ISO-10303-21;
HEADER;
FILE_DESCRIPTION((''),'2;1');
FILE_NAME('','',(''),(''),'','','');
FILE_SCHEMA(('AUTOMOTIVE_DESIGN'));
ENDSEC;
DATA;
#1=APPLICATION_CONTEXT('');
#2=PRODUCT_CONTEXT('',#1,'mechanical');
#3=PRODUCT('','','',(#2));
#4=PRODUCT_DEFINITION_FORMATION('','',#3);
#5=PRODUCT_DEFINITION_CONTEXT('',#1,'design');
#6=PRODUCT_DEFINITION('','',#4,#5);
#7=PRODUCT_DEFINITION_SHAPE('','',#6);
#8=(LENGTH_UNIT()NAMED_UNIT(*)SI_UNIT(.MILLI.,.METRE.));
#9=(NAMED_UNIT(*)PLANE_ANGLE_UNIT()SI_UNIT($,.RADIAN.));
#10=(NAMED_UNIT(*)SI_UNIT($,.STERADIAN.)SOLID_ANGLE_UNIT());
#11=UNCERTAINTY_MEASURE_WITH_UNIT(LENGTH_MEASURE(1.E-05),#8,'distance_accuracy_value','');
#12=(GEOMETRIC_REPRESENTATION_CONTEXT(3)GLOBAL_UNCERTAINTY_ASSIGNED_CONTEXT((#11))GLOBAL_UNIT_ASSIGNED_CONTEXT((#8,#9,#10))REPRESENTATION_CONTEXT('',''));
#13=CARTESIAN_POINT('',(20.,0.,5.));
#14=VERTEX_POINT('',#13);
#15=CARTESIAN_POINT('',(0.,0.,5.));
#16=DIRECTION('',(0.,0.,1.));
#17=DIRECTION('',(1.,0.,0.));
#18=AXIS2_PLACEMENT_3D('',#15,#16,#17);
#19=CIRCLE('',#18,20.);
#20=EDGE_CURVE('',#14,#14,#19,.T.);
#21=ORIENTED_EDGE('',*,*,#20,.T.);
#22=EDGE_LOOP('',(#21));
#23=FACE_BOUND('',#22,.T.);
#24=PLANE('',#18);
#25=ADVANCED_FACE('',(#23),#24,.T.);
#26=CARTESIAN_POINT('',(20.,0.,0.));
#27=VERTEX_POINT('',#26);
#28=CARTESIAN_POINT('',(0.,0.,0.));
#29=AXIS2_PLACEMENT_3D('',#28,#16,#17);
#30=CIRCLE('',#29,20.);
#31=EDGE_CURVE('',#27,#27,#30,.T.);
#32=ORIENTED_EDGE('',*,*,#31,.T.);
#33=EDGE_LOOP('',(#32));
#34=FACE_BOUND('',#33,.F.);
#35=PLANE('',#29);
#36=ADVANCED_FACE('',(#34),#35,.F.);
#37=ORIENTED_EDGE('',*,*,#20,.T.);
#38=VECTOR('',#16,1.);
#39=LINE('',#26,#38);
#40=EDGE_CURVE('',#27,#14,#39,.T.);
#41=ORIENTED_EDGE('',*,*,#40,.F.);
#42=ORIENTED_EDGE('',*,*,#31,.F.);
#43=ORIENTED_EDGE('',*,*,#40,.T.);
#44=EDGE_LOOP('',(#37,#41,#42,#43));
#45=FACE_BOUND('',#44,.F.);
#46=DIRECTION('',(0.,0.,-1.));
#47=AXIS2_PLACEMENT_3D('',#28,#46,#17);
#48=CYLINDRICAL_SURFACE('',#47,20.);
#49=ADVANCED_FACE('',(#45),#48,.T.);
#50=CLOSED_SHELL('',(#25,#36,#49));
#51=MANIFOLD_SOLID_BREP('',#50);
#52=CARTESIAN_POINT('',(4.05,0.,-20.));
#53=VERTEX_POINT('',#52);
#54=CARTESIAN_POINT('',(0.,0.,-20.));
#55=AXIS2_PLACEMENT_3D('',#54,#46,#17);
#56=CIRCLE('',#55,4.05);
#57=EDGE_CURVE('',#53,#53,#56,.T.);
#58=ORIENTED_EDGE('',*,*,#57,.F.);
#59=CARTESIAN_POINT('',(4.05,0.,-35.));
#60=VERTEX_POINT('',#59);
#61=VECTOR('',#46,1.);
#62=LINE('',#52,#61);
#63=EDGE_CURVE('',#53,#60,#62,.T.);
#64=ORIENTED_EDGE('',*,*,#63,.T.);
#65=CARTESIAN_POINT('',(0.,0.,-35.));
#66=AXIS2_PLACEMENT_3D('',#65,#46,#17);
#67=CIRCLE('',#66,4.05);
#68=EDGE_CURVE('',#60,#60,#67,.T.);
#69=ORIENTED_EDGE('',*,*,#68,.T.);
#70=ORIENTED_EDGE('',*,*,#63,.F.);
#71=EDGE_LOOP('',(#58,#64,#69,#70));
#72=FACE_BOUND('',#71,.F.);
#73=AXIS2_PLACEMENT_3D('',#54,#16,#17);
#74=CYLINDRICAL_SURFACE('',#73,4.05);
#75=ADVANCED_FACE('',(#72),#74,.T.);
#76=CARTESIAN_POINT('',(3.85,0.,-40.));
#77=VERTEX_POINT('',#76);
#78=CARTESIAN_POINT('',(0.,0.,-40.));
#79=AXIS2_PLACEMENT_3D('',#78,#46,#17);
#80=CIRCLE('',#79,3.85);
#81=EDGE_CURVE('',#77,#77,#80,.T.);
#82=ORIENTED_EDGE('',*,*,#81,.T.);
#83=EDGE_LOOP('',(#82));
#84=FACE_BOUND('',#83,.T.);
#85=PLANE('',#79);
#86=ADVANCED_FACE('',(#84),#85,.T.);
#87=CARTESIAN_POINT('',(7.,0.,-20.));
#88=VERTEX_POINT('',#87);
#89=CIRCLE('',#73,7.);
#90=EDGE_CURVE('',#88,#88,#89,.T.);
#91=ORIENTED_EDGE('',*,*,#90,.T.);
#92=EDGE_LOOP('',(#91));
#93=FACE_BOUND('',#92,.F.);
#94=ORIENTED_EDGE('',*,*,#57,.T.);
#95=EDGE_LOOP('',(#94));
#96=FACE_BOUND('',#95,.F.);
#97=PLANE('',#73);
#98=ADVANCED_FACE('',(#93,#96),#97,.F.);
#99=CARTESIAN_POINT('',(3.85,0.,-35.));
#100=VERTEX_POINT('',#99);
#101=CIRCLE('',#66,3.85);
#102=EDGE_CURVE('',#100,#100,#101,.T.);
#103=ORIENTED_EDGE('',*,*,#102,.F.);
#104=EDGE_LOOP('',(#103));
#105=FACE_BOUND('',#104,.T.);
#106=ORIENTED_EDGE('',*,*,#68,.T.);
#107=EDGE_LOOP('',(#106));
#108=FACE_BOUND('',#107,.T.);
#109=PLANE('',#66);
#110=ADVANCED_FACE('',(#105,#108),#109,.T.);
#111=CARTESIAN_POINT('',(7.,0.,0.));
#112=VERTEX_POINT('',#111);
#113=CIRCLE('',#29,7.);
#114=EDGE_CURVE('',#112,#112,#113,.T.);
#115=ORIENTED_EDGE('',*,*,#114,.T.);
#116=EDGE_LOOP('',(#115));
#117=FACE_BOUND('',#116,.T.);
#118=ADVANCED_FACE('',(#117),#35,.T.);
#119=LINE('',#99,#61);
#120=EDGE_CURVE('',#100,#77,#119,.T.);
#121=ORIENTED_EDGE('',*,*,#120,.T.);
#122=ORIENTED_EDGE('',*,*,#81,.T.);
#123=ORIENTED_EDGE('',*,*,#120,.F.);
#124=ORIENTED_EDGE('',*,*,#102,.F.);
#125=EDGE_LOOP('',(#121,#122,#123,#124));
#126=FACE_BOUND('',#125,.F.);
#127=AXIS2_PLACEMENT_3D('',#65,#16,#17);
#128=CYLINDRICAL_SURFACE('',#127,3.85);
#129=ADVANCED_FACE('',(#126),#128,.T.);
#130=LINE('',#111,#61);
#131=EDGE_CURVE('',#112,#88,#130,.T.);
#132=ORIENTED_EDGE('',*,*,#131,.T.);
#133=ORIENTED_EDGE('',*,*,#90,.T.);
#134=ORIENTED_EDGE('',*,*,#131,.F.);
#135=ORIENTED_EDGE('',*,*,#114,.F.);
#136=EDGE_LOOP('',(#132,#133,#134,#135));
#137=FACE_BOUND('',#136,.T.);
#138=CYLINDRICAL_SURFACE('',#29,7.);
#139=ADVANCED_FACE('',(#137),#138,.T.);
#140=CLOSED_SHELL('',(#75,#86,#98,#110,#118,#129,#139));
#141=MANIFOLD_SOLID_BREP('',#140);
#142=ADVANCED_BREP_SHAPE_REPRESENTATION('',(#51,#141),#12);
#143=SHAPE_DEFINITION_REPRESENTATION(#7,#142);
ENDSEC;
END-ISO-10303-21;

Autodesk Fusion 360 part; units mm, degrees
sketch "Sketch1" plane through (0, 0, 0) normal (0, 0, 1) x (1, 0, 0)
  circle A0 centre (0, 0) radius 7
  circle A1 centre (0, 0) radius 20
  dimension "d8" = 14
  dimension "d58" = 40
extrude "Extrude12" add sketch "Sketch1" along normal blind 5 makes body 1
extrude "Extrude2" add sketch "Sketch1" against normal blind 20 separate body contours A0 makes body 2
extrude "Extrude1" add sketch "Sketch1" against normal blind 20 separate body contours A0 makes body 3
sketch "Sketch3" plane through (0, 0, -20) normal (0, 0, -1) x (1, 0, 0)
  circle A0 centre (0, 0) radius 7
  circle A1 centre (0, 0) radius 4.05
  dimension "d31" = 8.1
extrude "Extrude6" add sketch "Sketch3" along normal blind 15 contours A1 bodies 2 3
sketch "Sketch6" plane through (0, 0, -35) normal (0, 0, -1) x (1, 0, 0)
  circle A0 centre (0, 0) radius 3.85
  circle A1 centre (0, 0) radius 4.05
  dimension "d47" = 7.7
extrude "Extrude9" add sketch "Sketch6" along normal blind 5 contours A0 bodies 2
delete_face "DeleteFace1" 1 faces at (6.9913, -0.3489, 3.3333) on bodies 1
equation "lower_part_outer_radius = 7 mm"
equation "lower_part_length = 20 mm"
equation "upper_part_outer_radius = 3.85 mm"
equation "upper_part_length = 5 mm"
equation "d8 = lower_part_outer_radius * 2"
equation "extra = 100 mm"
equation "d11 = -lower_part_length"
equation "d14 = -lower_part_length"
equation "d31 = bearing_part_outer_radius * 2"
equation "d32 = bearing_part_length"
equation "bearing_part_outer_radius = 4.05 mm"
equation "bearing_part_length = 15 mm"
equation "d47 = upper_part_outer_radius * 2"
equation "d48 = upper_part_length"
equation "base_part_outer_radius = 20 mm"
equation "base_part_length = 5 mm"
equation "d58 = base_part_outer_radius * 2"
equation "d59 = base_part_length"
